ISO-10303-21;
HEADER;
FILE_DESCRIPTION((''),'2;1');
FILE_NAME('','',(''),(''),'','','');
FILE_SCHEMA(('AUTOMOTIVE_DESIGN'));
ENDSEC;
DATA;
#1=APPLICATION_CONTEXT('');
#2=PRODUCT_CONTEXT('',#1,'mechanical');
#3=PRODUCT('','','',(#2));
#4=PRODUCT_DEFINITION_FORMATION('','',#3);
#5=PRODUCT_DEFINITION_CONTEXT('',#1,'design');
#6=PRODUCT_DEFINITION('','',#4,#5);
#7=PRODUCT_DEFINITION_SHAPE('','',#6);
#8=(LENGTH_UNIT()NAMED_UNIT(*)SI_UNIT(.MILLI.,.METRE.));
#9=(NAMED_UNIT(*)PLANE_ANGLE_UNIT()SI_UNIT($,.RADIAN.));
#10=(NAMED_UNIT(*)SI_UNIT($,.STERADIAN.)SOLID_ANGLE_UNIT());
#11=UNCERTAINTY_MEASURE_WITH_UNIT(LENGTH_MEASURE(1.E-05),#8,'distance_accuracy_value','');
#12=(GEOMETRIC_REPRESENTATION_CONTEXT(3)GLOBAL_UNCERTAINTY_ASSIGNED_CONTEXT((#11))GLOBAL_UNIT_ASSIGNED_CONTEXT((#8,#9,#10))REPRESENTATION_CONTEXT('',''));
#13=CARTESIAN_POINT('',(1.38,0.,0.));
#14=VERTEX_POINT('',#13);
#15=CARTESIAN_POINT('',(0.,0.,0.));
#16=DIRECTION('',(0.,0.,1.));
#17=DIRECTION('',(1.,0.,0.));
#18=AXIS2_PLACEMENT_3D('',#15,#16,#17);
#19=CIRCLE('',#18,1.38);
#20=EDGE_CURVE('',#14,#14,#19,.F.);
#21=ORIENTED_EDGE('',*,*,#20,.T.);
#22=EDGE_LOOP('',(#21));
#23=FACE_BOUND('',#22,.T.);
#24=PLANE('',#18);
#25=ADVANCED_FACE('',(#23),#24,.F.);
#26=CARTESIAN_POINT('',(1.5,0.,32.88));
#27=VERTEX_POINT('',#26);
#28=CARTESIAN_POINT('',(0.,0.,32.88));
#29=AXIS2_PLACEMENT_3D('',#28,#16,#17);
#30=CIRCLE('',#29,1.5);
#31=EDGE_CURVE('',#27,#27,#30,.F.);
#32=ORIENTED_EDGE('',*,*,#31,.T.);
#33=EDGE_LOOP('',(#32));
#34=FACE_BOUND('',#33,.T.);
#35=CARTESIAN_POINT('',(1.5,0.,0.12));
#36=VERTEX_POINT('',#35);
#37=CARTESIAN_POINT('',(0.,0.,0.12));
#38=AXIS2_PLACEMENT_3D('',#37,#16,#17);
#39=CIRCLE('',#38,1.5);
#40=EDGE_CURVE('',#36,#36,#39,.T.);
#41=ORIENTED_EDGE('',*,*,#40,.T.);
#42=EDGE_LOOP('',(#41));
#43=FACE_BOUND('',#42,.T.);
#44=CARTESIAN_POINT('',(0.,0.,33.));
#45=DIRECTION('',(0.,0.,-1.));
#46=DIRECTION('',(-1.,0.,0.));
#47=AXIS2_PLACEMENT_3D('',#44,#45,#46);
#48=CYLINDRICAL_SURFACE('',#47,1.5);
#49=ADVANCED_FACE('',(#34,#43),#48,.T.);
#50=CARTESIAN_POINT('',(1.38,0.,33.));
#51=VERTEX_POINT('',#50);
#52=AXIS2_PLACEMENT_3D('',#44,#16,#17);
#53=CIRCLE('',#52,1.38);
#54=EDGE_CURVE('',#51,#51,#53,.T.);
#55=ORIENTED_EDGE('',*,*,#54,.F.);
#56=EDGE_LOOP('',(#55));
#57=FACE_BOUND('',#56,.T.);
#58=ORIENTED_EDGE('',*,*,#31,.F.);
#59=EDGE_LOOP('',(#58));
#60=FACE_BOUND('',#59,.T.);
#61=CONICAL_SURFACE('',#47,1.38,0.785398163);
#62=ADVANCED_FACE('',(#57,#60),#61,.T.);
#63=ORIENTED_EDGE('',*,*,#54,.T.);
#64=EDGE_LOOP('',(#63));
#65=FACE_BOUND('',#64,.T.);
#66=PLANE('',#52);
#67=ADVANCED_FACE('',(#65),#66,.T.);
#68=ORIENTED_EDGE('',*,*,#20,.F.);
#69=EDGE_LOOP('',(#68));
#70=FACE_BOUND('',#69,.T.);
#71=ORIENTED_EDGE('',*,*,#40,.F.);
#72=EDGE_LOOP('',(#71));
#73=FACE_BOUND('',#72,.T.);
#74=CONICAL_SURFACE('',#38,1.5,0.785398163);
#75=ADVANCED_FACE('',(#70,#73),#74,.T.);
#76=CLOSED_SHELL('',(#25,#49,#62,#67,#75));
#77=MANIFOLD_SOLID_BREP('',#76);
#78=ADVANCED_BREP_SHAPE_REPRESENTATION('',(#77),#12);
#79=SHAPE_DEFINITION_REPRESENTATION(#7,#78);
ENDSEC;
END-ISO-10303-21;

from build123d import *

# Parameters (mm, degrees)
SKETCH_1_R      = 2.5
EXTRUDE_1_DEPTH = 55
CHAMFER_1_SIZE  = 0.2
SCALE_1_SCALE   = 0.6


with BuildPart() as part:
    # 草图1 → 凸台-拉伸1 (new body)
    with BuildSketch(Plane.XY):
        Circle(SKETCH_1_R)
    extrude(amount=EXTRUDE_1_DEPTH)

    # 倒角1
    chamfer_1_edges = [part.edges().sort_by_distance(p)[0] for p in [
        (-2.5, 0, 0),
        (-2.5, 0, 55),
    ]]
    chamfer(chamfer_1_edges, length=CHAMFER_1_SIZE)


with BuildPart() as part_1:
    # 缩放比例1: scaled about (0, 0, 0)
    add(part.part.scale(SCALE_1_SCALE))


solid = part_1.part
